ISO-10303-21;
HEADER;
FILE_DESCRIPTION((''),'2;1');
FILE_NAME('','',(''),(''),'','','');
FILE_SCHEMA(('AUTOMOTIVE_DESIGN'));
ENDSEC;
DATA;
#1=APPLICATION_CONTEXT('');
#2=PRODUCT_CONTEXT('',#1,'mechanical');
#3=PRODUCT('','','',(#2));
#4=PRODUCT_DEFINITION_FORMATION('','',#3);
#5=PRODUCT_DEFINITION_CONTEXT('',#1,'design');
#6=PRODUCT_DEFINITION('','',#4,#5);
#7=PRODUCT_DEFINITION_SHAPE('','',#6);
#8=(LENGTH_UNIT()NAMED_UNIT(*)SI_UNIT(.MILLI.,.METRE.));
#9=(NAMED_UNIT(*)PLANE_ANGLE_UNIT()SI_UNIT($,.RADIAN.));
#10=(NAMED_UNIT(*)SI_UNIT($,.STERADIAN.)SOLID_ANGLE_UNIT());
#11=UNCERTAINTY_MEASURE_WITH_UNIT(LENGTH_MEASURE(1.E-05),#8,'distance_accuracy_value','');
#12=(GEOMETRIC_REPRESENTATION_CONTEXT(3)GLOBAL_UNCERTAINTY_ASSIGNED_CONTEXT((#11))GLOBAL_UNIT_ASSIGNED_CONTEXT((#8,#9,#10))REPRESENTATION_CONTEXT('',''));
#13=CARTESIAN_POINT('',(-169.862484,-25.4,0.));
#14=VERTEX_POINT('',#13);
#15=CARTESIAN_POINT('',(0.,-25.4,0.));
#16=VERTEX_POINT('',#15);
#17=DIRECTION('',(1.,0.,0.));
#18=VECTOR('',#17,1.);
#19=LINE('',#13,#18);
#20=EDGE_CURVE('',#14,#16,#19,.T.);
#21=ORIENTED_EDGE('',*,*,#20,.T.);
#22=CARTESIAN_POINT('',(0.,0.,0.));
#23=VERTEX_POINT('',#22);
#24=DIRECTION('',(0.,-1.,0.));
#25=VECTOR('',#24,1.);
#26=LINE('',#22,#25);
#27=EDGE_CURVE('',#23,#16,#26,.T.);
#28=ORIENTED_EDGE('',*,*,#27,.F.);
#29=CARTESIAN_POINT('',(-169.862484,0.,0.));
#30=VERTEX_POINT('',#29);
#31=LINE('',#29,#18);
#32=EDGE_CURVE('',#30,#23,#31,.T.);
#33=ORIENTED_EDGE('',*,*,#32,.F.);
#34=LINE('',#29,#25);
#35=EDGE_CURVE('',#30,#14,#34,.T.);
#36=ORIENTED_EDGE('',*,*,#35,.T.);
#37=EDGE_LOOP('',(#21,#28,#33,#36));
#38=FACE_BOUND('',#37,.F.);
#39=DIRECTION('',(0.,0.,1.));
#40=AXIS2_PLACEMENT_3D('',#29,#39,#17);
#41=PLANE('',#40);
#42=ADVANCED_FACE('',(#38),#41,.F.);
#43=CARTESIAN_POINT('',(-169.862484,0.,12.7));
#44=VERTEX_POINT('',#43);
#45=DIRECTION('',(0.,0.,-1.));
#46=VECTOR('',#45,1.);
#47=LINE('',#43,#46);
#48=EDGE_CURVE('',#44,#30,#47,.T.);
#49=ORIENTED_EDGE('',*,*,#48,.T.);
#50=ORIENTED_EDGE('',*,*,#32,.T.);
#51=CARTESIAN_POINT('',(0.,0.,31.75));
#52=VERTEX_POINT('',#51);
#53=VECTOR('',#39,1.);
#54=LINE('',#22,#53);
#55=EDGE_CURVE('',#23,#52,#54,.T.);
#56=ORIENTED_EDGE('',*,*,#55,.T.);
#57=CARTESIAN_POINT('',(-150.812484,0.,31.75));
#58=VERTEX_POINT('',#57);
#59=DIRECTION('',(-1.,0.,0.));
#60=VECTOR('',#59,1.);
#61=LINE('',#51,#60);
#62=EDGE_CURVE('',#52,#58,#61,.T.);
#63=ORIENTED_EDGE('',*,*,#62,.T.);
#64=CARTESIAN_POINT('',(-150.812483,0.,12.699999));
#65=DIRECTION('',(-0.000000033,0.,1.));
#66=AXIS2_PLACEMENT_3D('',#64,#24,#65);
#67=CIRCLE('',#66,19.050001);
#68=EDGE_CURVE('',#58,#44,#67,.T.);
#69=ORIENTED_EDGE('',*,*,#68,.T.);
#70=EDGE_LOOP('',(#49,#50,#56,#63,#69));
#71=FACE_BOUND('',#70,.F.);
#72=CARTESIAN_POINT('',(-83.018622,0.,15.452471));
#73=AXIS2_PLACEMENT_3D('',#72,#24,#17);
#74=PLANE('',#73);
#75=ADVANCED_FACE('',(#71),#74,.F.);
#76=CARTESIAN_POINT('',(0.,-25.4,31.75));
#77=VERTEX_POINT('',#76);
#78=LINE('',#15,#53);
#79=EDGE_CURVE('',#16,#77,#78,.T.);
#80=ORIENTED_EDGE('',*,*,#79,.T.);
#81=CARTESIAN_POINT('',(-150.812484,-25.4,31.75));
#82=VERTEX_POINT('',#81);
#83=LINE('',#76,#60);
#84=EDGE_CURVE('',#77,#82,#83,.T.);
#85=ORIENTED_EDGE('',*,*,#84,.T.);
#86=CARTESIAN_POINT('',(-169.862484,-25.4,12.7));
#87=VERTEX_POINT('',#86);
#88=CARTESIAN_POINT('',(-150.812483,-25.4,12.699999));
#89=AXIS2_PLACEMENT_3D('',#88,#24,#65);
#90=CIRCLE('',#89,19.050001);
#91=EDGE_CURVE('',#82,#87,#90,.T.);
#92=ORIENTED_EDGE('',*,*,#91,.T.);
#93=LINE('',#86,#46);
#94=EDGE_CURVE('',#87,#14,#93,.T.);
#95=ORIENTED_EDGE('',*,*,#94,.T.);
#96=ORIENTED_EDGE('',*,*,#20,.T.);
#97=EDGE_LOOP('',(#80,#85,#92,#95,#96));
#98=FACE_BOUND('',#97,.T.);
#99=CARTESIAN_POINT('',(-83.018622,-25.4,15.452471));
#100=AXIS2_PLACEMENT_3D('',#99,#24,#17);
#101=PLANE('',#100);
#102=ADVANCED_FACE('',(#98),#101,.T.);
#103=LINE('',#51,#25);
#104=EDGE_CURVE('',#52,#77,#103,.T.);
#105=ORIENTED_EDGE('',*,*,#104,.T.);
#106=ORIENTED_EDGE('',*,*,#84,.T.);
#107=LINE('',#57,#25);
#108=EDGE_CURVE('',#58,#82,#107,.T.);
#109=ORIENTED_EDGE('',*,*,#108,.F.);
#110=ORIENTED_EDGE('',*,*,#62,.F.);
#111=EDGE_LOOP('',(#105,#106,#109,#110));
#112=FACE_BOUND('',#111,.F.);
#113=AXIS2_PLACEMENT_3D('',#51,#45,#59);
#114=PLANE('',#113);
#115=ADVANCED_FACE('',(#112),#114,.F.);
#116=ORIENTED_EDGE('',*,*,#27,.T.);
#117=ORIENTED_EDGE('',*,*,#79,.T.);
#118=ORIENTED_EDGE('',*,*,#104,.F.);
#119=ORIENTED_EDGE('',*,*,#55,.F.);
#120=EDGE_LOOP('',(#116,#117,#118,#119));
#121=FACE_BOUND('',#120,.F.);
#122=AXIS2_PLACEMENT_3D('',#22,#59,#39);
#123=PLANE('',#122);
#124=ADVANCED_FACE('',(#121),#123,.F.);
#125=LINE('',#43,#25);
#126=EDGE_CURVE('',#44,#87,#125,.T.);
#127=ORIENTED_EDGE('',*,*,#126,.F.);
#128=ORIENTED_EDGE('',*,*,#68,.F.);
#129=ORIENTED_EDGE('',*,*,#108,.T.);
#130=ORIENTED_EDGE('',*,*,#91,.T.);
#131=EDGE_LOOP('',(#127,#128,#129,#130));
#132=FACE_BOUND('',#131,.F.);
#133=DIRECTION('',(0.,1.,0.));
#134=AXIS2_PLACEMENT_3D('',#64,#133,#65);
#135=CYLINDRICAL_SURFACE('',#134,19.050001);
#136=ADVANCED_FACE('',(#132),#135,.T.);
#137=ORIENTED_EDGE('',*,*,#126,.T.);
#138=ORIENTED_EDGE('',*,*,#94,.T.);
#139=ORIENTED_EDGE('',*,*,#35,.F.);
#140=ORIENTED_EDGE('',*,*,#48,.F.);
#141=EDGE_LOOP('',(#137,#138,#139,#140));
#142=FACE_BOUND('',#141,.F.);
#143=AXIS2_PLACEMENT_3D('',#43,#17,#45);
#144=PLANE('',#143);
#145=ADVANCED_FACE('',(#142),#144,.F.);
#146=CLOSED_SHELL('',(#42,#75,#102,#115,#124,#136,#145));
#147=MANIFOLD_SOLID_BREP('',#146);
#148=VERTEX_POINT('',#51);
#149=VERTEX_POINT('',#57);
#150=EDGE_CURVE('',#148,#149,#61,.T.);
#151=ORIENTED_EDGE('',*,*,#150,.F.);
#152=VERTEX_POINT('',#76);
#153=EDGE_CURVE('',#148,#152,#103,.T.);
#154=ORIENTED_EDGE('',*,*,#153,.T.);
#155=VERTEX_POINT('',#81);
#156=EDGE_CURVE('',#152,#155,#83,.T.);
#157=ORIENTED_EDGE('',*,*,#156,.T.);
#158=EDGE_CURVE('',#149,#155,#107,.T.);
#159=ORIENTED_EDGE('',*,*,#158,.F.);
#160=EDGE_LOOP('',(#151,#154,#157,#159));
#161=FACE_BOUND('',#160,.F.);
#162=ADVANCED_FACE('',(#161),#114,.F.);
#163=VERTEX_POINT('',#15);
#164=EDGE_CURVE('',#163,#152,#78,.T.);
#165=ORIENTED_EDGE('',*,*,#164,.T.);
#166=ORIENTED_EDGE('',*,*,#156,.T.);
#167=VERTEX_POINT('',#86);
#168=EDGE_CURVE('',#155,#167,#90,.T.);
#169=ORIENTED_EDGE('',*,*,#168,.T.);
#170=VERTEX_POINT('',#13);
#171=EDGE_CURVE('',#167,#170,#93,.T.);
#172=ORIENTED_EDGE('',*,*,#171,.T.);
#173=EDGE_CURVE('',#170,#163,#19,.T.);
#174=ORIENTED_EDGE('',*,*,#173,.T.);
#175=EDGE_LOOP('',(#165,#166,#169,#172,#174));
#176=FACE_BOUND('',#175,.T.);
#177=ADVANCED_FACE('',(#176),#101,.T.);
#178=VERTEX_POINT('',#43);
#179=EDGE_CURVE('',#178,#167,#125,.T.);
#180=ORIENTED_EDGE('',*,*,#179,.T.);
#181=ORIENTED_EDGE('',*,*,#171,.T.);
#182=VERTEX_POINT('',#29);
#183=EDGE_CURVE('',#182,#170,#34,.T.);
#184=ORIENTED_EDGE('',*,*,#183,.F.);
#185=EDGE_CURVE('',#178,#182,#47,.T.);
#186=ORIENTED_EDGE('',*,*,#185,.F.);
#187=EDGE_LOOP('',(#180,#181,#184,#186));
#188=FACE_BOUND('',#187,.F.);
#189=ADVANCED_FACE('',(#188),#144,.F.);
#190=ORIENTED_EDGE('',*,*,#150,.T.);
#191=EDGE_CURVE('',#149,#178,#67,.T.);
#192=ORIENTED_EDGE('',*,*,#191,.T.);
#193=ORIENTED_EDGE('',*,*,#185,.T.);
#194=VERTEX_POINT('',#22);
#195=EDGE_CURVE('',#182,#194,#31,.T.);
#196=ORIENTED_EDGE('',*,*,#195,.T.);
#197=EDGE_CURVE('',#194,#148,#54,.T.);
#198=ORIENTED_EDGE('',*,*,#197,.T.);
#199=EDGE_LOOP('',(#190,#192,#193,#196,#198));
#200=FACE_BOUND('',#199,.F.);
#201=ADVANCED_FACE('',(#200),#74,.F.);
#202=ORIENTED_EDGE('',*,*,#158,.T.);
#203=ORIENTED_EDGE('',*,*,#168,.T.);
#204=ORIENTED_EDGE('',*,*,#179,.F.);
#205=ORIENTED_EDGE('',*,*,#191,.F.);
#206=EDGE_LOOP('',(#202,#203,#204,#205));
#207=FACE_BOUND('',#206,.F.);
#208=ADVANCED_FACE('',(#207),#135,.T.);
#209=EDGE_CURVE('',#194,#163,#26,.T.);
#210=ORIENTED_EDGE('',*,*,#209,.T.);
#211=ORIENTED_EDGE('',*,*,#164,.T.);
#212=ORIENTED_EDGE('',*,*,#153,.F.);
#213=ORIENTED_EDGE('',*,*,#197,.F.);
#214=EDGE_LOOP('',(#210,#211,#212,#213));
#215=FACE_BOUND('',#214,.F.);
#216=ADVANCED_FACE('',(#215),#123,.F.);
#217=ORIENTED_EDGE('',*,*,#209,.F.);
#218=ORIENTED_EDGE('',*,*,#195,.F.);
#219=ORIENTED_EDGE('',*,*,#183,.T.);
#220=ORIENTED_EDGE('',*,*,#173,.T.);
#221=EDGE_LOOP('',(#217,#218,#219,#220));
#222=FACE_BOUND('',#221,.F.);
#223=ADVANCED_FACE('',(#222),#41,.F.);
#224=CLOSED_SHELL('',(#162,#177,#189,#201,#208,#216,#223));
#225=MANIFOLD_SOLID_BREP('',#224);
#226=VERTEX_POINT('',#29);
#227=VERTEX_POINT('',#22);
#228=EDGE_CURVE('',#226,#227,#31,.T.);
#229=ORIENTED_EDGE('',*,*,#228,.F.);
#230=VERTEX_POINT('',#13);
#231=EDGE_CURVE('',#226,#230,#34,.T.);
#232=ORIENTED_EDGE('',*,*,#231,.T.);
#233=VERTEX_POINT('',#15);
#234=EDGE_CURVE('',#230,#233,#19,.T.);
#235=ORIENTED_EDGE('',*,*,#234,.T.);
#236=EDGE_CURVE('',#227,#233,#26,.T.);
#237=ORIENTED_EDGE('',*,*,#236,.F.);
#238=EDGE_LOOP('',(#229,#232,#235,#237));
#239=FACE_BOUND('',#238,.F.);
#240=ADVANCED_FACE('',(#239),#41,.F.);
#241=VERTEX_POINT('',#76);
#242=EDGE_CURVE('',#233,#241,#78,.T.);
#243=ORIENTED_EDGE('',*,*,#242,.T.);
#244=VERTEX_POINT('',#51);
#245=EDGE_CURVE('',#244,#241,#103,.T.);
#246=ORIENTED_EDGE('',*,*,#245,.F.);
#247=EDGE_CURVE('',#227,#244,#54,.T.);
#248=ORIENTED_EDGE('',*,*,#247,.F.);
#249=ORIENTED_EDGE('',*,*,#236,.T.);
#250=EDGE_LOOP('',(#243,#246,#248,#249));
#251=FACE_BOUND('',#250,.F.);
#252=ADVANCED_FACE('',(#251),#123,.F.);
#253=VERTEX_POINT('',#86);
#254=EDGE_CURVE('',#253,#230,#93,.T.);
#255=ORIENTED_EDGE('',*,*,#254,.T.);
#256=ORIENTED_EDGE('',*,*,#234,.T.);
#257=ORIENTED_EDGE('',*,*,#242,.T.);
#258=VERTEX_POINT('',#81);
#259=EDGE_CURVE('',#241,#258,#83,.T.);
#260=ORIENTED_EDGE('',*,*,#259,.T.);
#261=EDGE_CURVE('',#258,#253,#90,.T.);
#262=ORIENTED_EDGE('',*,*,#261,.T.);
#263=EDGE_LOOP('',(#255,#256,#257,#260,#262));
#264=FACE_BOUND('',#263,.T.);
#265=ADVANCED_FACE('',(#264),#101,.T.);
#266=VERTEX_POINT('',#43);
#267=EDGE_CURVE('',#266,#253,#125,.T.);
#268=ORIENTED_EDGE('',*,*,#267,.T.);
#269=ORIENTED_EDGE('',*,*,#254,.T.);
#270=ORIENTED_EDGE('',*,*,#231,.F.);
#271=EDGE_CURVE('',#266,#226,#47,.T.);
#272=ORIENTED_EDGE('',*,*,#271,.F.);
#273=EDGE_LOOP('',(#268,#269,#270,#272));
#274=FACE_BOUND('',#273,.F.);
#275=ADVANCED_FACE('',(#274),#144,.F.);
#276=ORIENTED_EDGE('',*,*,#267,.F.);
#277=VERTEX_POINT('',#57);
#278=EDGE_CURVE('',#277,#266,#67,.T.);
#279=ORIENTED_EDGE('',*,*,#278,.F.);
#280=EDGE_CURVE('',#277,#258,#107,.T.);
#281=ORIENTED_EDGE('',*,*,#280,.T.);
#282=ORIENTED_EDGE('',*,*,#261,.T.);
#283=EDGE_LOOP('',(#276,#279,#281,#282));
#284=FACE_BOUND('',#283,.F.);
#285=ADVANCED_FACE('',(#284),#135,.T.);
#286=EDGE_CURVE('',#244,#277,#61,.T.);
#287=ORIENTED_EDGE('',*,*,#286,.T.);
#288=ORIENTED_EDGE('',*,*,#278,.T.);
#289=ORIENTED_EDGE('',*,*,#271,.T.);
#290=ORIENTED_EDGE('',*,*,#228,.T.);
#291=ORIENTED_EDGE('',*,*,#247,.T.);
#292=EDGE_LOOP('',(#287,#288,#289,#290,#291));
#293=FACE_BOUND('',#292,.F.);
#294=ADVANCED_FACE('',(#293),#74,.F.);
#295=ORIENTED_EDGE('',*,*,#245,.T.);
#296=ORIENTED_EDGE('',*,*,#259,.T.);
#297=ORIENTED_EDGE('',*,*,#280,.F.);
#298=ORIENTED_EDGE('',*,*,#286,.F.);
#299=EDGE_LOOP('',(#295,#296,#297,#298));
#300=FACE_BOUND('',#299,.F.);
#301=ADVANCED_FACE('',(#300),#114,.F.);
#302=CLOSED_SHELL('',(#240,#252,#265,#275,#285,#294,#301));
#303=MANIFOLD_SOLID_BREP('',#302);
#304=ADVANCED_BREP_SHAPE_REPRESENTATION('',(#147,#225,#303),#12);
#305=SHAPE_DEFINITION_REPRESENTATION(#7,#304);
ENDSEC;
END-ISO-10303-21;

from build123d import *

# Parameters (mm, degrees)
F1_DEPTH = 25.4
F2_DEPTH = 25.4
F3_DEPTH = 25.4


with BuildPart() as f1:
    # F0 (on Front) → F1 (new body)
    with BuildSketch(Plane.XZ):
        with BuildLine():
            Line((-68.262484, 0), (0, 0))
            Line((0, 0), (0, 31.75))
            Line((0, 31.75), (-150.812484, 31.75))
            ThreePointArc((-150.812484, 31.75), (-164.282868, 26.170384), (-169.862484, 12.7))
            Line((-169.862484, 12.7), (-169.862484, 0))
            Line((-169.862484, 0), (-87.312484, 0))
            Line((-87.312484, 0), (-68.262484, 0))
        make_face()
    extrude(amount=F1_DEPTH)


with BuildPart() as f2:
    # F0 (on Front) → F2 (new body)
    with BuildSketch(Plane.XZ):
        with BuildLine():
            Line((-68.262484, 0), (0, 0))
            Line((0, 0), (0, 31.75))
            Line((0, 31.75), (-150.812484, 31.75))
            ThreePointArc((-150.812484, 31.75), (-164.282868, 26.170384), (-169.862484, 12.7))
            Line((-169.862484, 12.7), (-169.862484, 0))
            Line((-169.862484, 0), (-87.312484, 0))
            Line((-87.312484, 0), (-68.262484, 0))
        make_face()
    extrude(amount=F2_DEPTH)


with BuildPart() as f3:
    # F0 (on Front) → F3 (new body)
    with BuildSketch(Plane.XZ):
        with BuildLine():
            Line((-68.262484, 0), (0, 0))
            Line((0, 0), (0, 31.75))
            Line((0, 31.75), (-150.812484, 31.75))
            ThreePointArc((-150.812484, 31.75), (-164.282868, 26.170384), (-169.862484, 12.7))
            Line((-169.862484, 12.7), (-169.862484, 0))
            Line((-169.862484, 0), (-87.312484, 0))
            Line((-87.312484, 0), (-68.262484, 0))
        make_face()
    extrude(amount=F3_DEPTH)


solid = Compound([f1.part, f2.part, f3.part])
